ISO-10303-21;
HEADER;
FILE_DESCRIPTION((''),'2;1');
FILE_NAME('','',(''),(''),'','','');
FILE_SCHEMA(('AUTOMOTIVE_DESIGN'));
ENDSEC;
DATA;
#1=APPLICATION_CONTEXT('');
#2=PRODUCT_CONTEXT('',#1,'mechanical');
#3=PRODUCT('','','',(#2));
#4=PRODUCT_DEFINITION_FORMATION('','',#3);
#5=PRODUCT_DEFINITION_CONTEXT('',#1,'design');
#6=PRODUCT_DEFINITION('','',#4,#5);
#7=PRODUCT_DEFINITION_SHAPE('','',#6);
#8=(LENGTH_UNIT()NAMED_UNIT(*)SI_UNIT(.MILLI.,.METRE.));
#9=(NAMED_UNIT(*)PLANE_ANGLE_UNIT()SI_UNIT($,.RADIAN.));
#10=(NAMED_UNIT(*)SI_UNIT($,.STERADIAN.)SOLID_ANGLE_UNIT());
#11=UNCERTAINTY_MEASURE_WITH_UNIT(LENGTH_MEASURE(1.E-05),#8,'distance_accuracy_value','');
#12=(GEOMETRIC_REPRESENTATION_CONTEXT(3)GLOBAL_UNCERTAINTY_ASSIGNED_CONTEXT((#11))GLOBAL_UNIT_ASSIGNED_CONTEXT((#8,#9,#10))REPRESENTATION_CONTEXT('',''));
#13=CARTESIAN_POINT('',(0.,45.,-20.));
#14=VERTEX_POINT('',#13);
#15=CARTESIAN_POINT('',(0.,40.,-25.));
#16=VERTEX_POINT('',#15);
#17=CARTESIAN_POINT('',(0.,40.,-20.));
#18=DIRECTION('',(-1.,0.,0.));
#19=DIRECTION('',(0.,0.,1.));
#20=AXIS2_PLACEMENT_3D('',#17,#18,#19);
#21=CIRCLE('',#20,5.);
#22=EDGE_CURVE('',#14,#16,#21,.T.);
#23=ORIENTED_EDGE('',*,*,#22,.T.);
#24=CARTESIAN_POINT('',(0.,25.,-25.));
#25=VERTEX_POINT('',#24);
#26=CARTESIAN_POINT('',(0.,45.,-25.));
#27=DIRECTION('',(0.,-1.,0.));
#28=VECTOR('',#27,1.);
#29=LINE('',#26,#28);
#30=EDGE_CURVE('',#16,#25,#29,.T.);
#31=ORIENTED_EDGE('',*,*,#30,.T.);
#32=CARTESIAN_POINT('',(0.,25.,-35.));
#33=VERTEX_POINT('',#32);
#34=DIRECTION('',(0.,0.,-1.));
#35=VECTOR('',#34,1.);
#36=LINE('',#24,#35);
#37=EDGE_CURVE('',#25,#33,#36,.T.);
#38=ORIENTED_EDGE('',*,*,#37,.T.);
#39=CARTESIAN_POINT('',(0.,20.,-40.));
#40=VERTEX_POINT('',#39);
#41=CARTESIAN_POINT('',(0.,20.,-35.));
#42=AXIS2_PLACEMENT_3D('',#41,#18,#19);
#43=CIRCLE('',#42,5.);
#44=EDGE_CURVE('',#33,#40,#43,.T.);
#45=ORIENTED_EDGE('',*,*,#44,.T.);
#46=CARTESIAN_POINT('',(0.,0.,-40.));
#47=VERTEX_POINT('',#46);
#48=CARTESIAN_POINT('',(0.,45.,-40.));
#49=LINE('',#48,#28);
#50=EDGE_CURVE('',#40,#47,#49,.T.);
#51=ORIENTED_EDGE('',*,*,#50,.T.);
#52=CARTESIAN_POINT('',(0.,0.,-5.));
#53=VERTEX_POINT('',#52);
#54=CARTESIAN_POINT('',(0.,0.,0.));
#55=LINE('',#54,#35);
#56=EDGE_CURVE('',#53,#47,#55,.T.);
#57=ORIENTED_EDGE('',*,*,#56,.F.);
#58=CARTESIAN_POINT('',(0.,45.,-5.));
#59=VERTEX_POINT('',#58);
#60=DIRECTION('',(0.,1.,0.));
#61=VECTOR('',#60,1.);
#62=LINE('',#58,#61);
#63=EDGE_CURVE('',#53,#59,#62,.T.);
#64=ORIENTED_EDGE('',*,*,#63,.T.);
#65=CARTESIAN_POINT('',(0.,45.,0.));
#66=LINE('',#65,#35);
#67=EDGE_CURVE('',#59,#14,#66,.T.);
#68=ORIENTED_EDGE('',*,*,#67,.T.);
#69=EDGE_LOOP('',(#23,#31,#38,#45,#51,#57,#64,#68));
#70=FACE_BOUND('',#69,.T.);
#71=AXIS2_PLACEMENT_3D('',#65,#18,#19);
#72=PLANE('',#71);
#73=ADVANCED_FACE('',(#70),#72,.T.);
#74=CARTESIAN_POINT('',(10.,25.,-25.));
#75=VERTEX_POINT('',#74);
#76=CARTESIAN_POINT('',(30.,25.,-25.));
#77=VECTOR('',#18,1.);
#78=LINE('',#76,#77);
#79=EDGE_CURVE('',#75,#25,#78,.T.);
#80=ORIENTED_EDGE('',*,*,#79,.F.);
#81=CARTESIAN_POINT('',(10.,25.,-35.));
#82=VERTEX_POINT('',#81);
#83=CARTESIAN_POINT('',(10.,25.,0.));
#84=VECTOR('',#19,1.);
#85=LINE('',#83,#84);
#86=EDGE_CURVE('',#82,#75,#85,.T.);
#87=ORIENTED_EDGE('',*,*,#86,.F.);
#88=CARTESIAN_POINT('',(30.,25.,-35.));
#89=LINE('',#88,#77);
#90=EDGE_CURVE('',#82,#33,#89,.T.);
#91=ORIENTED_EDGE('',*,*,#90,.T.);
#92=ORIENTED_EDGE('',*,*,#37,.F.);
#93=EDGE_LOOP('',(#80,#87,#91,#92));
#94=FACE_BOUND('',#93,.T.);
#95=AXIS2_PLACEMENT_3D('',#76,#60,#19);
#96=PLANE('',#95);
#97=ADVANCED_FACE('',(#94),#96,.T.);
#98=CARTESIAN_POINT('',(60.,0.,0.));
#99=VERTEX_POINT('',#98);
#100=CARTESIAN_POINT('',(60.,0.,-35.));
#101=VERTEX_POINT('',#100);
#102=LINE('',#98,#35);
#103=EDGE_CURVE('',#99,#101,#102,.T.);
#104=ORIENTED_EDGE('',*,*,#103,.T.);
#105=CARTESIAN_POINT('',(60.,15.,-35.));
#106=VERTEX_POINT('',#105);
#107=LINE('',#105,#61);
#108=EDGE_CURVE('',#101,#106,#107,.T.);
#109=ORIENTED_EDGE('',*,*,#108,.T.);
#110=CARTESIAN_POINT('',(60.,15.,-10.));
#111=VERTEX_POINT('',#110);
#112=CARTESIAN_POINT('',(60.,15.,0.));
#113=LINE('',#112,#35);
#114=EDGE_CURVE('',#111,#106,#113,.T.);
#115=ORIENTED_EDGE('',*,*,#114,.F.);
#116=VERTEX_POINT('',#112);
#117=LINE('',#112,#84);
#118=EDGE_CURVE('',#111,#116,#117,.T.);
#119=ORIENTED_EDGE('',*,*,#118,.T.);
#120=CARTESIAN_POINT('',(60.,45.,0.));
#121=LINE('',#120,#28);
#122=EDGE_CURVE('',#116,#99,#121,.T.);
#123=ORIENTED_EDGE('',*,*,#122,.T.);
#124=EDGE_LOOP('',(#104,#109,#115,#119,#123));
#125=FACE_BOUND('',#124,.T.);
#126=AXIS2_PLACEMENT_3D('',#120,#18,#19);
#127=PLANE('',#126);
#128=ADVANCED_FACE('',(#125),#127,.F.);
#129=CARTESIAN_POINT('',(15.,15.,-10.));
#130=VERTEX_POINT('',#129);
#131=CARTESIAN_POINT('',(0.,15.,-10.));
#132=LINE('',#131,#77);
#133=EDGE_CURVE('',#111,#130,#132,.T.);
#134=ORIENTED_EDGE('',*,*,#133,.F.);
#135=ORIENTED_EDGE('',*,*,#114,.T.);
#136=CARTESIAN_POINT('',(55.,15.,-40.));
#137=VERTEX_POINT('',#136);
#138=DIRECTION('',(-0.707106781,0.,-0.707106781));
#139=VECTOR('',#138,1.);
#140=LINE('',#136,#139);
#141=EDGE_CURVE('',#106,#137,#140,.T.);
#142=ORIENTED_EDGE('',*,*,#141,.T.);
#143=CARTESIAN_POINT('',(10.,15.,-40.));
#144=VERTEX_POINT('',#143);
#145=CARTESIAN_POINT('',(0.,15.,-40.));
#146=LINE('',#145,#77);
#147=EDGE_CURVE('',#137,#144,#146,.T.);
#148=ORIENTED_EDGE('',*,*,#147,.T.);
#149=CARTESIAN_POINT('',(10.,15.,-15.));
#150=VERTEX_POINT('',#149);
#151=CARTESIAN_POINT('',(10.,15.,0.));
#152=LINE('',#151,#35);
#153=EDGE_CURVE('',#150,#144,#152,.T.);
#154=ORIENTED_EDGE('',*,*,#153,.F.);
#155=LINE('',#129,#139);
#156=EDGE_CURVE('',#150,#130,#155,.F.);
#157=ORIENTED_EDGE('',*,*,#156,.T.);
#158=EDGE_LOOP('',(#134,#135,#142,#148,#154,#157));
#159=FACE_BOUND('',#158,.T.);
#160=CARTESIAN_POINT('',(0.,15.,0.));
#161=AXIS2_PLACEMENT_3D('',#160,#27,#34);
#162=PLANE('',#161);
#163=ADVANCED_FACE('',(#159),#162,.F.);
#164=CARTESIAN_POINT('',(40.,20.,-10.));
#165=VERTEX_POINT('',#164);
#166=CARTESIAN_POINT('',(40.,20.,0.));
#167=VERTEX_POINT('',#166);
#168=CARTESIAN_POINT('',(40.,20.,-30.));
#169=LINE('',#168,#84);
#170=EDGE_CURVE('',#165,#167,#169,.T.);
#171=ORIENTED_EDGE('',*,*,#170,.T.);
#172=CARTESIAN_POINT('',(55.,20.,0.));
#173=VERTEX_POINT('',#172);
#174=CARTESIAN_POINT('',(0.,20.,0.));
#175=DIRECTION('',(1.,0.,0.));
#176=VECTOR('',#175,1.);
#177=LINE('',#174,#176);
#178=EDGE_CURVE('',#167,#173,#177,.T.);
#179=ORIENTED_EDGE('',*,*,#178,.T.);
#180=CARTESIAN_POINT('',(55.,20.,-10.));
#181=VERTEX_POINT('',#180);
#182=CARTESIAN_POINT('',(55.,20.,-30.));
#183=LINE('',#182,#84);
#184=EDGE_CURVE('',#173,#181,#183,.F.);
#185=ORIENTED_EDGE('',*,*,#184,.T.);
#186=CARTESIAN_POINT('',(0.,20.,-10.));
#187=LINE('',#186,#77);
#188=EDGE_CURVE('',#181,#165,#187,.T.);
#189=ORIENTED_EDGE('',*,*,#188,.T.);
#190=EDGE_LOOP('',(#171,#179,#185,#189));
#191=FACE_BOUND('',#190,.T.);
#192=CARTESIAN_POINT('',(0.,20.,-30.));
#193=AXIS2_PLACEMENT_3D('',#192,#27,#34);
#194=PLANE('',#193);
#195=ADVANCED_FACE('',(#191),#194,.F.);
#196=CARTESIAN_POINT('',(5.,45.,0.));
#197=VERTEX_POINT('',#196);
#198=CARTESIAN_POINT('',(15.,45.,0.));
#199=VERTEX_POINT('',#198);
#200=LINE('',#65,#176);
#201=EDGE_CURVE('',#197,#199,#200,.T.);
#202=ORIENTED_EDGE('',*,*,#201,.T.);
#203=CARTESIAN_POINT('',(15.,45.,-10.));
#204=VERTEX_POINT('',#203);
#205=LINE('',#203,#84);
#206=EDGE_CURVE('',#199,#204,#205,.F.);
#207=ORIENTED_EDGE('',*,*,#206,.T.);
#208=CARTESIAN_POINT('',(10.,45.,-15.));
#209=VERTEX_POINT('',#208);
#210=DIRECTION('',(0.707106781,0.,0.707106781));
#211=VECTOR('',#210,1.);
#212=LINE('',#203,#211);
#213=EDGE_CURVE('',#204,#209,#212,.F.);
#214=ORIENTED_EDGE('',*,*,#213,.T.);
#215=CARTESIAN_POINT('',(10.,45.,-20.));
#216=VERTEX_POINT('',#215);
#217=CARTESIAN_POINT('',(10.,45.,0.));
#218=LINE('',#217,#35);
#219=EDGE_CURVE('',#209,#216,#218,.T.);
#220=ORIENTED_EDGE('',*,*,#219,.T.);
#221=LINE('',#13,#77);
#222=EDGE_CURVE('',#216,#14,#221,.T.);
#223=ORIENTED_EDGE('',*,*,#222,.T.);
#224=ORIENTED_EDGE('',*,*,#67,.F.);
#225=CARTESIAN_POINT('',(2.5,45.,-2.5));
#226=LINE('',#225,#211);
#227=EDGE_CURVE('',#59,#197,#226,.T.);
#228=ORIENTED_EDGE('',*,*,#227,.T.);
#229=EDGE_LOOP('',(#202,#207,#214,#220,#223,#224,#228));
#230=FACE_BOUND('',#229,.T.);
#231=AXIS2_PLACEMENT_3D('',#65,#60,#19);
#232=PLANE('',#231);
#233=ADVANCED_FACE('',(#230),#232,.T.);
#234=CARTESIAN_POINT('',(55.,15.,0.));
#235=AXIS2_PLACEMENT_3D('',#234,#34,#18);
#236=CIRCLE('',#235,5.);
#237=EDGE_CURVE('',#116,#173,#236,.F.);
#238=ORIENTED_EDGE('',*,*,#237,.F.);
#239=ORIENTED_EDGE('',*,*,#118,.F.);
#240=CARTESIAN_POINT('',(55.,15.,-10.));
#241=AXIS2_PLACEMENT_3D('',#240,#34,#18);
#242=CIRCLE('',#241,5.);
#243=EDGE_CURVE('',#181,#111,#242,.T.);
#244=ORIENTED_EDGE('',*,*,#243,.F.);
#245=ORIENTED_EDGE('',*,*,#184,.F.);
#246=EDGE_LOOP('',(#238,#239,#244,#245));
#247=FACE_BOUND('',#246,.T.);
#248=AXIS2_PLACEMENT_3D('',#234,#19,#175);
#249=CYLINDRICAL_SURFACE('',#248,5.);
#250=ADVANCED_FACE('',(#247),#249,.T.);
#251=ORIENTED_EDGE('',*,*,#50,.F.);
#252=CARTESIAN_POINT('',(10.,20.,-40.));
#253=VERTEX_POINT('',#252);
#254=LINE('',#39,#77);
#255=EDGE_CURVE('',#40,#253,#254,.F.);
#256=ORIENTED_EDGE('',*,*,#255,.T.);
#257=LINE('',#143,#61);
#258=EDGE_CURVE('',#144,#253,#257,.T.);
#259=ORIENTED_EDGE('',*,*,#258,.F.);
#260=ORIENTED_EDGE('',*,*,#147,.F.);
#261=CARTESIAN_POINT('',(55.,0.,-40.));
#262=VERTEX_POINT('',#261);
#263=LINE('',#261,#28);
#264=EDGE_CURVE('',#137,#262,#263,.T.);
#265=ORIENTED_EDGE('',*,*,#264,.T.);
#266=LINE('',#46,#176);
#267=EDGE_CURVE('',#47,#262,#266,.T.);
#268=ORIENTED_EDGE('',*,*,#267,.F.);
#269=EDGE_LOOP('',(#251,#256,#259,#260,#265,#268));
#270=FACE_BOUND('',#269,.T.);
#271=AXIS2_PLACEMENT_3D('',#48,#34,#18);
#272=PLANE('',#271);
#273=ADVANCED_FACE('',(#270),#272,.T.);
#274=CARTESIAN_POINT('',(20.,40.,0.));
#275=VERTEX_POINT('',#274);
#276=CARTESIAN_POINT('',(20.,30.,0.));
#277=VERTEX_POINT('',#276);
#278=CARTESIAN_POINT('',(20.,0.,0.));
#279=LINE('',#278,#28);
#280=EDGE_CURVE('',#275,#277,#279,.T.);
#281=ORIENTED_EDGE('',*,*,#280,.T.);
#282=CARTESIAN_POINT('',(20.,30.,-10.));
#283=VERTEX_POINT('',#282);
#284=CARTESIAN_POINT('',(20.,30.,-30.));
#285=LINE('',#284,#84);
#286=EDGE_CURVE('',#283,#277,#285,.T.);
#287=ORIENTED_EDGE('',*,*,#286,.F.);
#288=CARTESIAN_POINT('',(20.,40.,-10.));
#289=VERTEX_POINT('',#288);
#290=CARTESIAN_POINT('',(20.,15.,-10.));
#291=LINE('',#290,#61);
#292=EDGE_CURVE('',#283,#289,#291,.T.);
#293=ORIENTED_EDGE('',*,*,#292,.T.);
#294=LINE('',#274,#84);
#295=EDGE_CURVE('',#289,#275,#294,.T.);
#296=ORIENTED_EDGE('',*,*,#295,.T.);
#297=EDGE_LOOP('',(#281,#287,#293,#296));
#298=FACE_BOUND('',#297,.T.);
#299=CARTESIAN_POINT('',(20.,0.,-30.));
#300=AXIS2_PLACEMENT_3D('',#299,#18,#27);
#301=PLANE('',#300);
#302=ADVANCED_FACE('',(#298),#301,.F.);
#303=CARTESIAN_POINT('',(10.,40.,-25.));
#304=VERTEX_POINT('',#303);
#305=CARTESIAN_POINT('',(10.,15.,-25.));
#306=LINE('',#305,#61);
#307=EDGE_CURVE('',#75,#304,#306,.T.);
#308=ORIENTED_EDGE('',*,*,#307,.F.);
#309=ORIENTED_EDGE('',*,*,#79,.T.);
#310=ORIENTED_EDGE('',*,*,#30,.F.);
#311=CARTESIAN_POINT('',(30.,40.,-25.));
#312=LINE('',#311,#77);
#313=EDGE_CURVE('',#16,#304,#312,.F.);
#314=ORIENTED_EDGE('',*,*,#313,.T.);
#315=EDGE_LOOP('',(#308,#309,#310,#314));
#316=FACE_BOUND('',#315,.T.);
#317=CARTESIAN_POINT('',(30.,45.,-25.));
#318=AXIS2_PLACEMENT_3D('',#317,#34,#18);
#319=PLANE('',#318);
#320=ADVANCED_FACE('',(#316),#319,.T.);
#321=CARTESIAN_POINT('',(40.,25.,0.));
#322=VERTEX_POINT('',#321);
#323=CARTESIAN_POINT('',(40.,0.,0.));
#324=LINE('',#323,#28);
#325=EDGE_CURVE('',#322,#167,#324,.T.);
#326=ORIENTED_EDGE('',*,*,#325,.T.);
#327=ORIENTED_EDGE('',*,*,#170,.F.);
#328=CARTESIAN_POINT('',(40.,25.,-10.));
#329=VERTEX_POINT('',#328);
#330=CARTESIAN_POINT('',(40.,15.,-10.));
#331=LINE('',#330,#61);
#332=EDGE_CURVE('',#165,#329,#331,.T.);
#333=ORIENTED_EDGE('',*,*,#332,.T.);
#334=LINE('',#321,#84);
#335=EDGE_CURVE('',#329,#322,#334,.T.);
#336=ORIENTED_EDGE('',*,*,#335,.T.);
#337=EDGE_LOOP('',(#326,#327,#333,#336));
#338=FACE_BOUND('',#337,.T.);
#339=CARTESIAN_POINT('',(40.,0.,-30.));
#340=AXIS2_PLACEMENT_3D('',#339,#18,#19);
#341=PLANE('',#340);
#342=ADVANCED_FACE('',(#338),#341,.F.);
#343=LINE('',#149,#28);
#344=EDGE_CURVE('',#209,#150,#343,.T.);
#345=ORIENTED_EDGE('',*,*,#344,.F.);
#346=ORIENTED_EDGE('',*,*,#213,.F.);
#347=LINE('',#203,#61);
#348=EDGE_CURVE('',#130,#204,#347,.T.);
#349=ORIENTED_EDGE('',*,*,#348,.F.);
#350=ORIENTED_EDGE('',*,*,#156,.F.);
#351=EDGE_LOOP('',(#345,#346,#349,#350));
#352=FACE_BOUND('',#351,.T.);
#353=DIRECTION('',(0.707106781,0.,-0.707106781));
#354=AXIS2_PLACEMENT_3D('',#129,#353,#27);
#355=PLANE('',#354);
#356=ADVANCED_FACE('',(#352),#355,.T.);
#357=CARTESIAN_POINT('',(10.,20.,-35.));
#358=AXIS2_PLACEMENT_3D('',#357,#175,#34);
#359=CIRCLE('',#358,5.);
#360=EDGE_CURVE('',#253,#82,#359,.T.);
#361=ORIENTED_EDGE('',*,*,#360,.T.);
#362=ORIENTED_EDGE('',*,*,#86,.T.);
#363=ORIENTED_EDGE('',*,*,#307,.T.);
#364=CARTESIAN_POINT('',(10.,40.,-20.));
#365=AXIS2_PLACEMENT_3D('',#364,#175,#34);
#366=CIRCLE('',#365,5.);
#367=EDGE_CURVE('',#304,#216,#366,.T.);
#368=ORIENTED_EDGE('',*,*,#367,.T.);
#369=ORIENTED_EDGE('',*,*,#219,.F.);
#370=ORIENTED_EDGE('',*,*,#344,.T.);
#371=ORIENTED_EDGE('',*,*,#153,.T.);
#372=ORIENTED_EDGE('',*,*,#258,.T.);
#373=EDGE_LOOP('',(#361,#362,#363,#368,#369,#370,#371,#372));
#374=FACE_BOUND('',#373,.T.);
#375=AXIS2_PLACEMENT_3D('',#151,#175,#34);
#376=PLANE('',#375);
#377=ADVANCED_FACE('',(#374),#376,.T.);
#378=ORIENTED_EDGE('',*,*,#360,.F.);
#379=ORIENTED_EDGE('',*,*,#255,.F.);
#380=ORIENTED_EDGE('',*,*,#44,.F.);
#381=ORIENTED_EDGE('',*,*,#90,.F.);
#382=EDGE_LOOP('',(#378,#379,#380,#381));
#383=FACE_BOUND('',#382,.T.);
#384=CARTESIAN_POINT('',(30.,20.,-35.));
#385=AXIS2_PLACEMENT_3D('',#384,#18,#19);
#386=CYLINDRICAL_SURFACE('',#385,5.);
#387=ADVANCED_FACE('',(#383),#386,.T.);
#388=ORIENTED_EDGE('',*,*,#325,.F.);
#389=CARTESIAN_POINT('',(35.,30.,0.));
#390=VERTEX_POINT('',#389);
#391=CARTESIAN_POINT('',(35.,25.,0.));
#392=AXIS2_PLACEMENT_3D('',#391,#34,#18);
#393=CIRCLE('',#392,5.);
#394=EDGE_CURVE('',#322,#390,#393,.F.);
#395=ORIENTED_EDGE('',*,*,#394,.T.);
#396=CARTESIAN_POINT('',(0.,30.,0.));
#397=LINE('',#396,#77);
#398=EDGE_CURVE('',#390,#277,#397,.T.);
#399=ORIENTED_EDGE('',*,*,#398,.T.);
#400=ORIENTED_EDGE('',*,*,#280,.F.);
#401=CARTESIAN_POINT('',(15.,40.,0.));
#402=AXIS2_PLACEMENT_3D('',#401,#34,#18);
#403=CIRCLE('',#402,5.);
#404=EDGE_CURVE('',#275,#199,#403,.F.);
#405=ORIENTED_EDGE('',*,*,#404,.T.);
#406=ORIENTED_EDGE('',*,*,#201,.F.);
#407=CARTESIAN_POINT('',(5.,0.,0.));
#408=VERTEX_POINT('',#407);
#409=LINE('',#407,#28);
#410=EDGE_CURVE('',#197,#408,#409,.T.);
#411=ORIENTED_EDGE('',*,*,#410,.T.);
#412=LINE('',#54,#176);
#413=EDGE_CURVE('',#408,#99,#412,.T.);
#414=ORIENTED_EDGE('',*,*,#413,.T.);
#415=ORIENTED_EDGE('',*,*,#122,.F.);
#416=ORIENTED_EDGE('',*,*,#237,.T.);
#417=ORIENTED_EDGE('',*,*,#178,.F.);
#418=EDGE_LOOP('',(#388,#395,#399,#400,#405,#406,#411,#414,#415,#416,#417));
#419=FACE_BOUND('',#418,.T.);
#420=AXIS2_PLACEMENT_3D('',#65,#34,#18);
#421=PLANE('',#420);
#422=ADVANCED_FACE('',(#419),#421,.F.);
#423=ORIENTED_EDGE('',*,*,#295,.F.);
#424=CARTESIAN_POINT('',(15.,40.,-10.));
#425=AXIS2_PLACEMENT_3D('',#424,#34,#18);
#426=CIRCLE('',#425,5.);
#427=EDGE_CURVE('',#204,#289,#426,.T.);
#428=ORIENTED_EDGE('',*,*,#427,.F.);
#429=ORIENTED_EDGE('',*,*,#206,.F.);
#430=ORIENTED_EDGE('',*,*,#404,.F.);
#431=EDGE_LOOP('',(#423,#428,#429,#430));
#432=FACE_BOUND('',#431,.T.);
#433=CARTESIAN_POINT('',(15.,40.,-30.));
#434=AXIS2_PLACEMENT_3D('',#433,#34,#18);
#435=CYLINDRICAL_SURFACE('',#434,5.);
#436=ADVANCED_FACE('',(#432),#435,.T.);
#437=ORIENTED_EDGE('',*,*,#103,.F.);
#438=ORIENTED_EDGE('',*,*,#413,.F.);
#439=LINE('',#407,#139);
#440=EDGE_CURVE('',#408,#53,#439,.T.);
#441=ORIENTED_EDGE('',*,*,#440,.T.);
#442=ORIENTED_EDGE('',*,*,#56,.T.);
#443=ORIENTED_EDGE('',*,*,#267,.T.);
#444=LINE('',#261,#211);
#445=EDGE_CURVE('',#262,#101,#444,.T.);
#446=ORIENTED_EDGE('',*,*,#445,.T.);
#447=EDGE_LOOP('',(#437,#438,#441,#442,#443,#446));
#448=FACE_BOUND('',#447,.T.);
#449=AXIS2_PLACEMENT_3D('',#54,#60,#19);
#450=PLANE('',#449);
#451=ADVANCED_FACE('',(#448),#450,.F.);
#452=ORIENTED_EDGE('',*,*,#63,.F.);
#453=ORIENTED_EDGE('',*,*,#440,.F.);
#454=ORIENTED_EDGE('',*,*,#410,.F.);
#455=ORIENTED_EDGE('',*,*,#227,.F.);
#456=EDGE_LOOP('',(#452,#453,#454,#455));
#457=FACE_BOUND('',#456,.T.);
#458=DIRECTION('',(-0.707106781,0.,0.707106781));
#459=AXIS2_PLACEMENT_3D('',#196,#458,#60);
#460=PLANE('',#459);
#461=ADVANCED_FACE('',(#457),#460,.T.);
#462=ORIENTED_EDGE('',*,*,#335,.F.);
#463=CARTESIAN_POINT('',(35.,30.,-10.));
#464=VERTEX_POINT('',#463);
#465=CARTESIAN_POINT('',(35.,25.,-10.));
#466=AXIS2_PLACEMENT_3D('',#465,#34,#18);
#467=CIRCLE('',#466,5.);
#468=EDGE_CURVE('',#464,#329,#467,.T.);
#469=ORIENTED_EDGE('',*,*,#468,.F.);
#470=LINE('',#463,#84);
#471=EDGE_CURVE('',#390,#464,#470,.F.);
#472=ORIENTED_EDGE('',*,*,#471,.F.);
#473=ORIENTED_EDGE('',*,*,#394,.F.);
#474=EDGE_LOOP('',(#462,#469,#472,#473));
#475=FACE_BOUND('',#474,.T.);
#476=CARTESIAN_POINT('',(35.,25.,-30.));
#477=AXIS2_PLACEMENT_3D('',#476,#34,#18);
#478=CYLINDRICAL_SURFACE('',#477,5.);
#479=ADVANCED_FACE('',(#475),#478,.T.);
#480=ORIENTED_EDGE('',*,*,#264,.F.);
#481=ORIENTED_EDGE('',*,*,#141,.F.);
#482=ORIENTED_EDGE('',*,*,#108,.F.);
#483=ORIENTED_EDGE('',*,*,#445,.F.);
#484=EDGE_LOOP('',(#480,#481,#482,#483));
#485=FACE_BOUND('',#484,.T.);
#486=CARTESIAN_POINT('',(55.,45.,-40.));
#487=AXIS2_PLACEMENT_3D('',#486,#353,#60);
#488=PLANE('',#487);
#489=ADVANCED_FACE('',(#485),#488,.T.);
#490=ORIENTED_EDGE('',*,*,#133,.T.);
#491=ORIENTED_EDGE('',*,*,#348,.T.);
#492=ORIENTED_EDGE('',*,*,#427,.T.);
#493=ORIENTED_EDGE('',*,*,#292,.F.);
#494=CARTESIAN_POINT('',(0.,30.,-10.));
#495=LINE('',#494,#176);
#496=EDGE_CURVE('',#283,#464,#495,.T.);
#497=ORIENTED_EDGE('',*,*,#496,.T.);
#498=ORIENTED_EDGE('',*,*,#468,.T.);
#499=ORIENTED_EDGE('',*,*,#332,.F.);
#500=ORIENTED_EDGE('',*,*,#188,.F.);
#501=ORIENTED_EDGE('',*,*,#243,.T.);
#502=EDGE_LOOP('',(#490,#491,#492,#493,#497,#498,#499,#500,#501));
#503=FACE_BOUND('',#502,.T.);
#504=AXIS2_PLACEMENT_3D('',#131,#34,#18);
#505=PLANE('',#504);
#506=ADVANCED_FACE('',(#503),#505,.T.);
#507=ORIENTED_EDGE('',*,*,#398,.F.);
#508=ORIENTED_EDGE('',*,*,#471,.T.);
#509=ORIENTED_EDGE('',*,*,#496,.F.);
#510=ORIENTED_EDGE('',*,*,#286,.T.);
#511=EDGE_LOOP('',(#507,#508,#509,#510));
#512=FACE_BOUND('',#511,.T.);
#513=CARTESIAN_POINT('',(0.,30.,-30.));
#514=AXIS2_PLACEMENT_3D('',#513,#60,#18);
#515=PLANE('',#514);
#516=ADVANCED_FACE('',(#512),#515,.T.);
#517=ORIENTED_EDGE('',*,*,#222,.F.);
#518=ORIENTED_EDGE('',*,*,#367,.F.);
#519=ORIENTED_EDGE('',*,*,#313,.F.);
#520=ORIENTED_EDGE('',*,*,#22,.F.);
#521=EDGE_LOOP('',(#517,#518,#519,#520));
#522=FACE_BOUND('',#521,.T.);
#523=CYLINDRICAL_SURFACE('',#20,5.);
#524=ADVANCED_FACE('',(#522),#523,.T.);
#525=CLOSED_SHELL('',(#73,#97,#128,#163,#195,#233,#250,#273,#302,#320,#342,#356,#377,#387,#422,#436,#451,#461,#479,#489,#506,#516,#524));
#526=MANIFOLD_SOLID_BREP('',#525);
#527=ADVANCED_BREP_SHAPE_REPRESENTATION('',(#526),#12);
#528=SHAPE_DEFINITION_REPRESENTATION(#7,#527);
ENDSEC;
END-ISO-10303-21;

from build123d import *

# Parameters (mm, degrees)
SKETCH1_W           = 60
SKETCH1_H           = 40
BOSS_EXTRUDE1_DEPTH = 45
CUT_EXTRUDE1_START  = 45
SKETCH1_3_W         = 50
SKETCH1_3_H         = 30
CUT_EXTRUDE1_DEPTH  = 30
SKETCH2_W           = 40
SKETCH2_H           = 15
SKETCH2_W_2         = 20
SKETCH2_H_2         = 10
CUT_EXTRUDE2_DEPTH  = 30
SKETCH3_W           = 15
SKETCH3_H           = 20
CUT_EXTRUDE3_DEPTH  = 30
FILLET1_R           = 5
CHAMFER2_SIZE       = 5


with BuildPart() as part:
    # Sketch1 → Boss-Extrude1 (new body)
    with BuildSketch(Plane(origin=(0, 0, 0), x_dir=(1, 0, 0), z_dir=(0, 1, 0))):
        with Locations((30, 20)):
            Rectangle(SKETCH1_W, SKETCH1_H)
    extrude(amount=BOSS_EXTRUDE1_DEPTH)

    # Sketch1<3> → Cut-Extrude1 (cut)
    with BuildSketch(Plane(origin=(0, 0, 0), x_dir=(1, 0, 0), z_dir=(0, 1, 0)).offset(CUT_EXTRUDE1_START)):
        with Locations((35, 25)):
            Rectangle(SKETCH1_3_W, SKETCH1_3_H)
    extrude(amount=-CUT_EXTRUDE1_DEPTH, mode=Mode.SUBTRACT)

    # Sketch2 → Cut-Extrude2 (cut)
    with BuildSketch(Plane.XY):
        with Locations((40, 37.5)):
            Rectangle(SKETCH2_W, SKETCH2_H)
        with Locations((50, 25)):
            Rectangle(SKETCH2_W_2, SKETCH2_H_2)
    extrude(amount=-CUT_EXTRUDE2_DEPTH, mode=Mode.SUBTRACT)

    # Sketch3 → Cut-Extrude3 (cut)
    with BuildSketch(Plane(origin=(0, 0, 0), x_dir=(0, 0, -1), z_dir=(1, 0, 0))):
        with Locations((32.5, 35)):
            Rectangle(SKETCH3_W, SKETCH3_H)
    extrude(amount=CUT_EXTRUDE3_DEPTH, mode=Mode.SUBTRACT)

    # Fillet1
    fillet1_edges = [part.edges().sort_by_distance(p)[0] for p in [
        (5, 25, -40),
        (5, 45, -25),
        (20, 45, -5),
        (40, 30, -5),
        (60, 20, -5),
    ]]
    fillet(fillet1_edges, radius=FILLET1_R)

    # Chamfer2
    chamfer2_edges = [part.edges().sort_by_distance(p)[0] for p in [
        (10, 30, -10),
        (60, 7.5, -40),
        (0, 22.5, 0),
    ]]
    chamfer(chamfer2_edges, length=CHAMFER2_SIZE)


solid = part.part
